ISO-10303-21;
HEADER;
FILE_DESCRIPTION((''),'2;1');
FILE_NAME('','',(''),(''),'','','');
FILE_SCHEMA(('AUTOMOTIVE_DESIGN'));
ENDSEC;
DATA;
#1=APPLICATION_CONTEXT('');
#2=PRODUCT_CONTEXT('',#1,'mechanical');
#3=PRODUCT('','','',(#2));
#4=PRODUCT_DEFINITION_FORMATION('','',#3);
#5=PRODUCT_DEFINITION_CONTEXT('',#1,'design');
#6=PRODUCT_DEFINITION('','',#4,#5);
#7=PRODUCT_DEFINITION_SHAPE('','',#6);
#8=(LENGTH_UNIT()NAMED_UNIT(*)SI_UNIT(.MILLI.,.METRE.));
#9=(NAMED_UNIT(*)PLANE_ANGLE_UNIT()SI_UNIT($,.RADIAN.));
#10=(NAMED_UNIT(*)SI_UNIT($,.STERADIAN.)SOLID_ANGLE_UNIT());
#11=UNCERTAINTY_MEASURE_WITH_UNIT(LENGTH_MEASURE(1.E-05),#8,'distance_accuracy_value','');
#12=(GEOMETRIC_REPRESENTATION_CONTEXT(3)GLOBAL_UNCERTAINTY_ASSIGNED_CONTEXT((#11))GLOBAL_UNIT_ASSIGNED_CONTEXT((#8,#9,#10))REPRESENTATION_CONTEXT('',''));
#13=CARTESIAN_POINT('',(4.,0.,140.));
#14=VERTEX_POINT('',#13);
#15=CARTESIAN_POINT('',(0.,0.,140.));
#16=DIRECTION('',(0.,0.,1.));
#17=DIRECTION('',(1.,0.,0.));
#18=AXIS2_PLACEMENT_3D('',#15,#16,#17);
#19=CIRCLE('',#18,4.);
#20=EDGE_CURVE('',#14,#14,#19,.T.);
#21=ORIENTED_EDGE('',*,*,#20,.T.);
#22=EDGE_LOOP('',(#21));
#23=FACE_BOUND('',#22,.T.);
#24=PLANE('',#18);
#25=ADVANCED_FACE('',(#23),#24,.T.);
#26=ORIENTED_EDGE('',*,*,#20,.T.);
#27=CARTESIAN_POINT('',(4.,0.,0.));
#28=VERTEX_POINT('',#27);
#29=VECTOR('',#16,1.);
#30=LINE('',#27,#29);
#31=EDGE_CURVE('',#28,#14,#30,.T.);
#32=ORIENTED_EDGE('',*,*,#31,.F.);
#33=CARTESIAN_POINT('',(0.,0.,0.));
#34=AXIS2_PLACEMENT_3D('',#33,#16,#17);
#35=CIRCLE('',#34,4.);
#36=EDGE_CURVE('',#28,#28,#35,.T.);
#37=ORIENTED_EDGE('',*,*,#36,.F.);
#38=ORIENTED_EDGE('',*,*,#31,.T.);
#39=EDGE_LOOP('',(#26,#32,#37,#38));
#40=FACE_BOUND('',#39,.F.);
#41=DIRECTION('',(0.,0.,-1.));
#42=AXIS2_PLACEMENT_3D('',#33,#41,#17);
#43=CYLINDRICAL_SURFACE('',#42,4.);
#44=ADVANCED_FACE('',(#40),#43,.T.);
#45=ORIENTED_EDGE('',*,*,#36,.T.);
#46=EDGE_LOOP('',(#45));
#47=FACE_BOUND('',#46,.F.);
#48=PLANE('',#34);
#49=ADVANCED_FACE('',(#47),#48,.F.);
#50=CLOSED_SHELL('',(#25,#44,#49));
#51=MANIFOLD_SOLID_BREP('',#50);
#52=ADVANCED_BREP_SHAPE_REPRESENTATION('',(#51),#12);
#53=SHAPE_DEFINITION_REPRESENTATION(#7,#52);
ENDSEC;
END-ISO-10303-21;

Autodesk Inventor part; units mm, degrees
ref_plane "YZ Plane" through (0, 0, 0) normal (1, 0, 0) x (0, 1, 0)
ref_plane "XZ Plane" through (0, 0, 0) normal (0, 1, 0) x (-1, 0, 0)
ref_plane "XY Plane" through (0, 0, 0) normal (0, 0, 1) x (1, 0, 0)
sketch "Sketch1" plane through (0, 0, 0) normal (0, 0, 1) x (1, 0, 0)
  circle A0 centre (0, 0) radius 4
  dimension "d0" = 8
extrude "Extrusion1" add sketch "Sketch1" along normal blind 140
thread "Thread1" size "M8x1.25" class "6g" standard "ANSI Metric M Profile" full length
properties part number "Mount_Thread"
